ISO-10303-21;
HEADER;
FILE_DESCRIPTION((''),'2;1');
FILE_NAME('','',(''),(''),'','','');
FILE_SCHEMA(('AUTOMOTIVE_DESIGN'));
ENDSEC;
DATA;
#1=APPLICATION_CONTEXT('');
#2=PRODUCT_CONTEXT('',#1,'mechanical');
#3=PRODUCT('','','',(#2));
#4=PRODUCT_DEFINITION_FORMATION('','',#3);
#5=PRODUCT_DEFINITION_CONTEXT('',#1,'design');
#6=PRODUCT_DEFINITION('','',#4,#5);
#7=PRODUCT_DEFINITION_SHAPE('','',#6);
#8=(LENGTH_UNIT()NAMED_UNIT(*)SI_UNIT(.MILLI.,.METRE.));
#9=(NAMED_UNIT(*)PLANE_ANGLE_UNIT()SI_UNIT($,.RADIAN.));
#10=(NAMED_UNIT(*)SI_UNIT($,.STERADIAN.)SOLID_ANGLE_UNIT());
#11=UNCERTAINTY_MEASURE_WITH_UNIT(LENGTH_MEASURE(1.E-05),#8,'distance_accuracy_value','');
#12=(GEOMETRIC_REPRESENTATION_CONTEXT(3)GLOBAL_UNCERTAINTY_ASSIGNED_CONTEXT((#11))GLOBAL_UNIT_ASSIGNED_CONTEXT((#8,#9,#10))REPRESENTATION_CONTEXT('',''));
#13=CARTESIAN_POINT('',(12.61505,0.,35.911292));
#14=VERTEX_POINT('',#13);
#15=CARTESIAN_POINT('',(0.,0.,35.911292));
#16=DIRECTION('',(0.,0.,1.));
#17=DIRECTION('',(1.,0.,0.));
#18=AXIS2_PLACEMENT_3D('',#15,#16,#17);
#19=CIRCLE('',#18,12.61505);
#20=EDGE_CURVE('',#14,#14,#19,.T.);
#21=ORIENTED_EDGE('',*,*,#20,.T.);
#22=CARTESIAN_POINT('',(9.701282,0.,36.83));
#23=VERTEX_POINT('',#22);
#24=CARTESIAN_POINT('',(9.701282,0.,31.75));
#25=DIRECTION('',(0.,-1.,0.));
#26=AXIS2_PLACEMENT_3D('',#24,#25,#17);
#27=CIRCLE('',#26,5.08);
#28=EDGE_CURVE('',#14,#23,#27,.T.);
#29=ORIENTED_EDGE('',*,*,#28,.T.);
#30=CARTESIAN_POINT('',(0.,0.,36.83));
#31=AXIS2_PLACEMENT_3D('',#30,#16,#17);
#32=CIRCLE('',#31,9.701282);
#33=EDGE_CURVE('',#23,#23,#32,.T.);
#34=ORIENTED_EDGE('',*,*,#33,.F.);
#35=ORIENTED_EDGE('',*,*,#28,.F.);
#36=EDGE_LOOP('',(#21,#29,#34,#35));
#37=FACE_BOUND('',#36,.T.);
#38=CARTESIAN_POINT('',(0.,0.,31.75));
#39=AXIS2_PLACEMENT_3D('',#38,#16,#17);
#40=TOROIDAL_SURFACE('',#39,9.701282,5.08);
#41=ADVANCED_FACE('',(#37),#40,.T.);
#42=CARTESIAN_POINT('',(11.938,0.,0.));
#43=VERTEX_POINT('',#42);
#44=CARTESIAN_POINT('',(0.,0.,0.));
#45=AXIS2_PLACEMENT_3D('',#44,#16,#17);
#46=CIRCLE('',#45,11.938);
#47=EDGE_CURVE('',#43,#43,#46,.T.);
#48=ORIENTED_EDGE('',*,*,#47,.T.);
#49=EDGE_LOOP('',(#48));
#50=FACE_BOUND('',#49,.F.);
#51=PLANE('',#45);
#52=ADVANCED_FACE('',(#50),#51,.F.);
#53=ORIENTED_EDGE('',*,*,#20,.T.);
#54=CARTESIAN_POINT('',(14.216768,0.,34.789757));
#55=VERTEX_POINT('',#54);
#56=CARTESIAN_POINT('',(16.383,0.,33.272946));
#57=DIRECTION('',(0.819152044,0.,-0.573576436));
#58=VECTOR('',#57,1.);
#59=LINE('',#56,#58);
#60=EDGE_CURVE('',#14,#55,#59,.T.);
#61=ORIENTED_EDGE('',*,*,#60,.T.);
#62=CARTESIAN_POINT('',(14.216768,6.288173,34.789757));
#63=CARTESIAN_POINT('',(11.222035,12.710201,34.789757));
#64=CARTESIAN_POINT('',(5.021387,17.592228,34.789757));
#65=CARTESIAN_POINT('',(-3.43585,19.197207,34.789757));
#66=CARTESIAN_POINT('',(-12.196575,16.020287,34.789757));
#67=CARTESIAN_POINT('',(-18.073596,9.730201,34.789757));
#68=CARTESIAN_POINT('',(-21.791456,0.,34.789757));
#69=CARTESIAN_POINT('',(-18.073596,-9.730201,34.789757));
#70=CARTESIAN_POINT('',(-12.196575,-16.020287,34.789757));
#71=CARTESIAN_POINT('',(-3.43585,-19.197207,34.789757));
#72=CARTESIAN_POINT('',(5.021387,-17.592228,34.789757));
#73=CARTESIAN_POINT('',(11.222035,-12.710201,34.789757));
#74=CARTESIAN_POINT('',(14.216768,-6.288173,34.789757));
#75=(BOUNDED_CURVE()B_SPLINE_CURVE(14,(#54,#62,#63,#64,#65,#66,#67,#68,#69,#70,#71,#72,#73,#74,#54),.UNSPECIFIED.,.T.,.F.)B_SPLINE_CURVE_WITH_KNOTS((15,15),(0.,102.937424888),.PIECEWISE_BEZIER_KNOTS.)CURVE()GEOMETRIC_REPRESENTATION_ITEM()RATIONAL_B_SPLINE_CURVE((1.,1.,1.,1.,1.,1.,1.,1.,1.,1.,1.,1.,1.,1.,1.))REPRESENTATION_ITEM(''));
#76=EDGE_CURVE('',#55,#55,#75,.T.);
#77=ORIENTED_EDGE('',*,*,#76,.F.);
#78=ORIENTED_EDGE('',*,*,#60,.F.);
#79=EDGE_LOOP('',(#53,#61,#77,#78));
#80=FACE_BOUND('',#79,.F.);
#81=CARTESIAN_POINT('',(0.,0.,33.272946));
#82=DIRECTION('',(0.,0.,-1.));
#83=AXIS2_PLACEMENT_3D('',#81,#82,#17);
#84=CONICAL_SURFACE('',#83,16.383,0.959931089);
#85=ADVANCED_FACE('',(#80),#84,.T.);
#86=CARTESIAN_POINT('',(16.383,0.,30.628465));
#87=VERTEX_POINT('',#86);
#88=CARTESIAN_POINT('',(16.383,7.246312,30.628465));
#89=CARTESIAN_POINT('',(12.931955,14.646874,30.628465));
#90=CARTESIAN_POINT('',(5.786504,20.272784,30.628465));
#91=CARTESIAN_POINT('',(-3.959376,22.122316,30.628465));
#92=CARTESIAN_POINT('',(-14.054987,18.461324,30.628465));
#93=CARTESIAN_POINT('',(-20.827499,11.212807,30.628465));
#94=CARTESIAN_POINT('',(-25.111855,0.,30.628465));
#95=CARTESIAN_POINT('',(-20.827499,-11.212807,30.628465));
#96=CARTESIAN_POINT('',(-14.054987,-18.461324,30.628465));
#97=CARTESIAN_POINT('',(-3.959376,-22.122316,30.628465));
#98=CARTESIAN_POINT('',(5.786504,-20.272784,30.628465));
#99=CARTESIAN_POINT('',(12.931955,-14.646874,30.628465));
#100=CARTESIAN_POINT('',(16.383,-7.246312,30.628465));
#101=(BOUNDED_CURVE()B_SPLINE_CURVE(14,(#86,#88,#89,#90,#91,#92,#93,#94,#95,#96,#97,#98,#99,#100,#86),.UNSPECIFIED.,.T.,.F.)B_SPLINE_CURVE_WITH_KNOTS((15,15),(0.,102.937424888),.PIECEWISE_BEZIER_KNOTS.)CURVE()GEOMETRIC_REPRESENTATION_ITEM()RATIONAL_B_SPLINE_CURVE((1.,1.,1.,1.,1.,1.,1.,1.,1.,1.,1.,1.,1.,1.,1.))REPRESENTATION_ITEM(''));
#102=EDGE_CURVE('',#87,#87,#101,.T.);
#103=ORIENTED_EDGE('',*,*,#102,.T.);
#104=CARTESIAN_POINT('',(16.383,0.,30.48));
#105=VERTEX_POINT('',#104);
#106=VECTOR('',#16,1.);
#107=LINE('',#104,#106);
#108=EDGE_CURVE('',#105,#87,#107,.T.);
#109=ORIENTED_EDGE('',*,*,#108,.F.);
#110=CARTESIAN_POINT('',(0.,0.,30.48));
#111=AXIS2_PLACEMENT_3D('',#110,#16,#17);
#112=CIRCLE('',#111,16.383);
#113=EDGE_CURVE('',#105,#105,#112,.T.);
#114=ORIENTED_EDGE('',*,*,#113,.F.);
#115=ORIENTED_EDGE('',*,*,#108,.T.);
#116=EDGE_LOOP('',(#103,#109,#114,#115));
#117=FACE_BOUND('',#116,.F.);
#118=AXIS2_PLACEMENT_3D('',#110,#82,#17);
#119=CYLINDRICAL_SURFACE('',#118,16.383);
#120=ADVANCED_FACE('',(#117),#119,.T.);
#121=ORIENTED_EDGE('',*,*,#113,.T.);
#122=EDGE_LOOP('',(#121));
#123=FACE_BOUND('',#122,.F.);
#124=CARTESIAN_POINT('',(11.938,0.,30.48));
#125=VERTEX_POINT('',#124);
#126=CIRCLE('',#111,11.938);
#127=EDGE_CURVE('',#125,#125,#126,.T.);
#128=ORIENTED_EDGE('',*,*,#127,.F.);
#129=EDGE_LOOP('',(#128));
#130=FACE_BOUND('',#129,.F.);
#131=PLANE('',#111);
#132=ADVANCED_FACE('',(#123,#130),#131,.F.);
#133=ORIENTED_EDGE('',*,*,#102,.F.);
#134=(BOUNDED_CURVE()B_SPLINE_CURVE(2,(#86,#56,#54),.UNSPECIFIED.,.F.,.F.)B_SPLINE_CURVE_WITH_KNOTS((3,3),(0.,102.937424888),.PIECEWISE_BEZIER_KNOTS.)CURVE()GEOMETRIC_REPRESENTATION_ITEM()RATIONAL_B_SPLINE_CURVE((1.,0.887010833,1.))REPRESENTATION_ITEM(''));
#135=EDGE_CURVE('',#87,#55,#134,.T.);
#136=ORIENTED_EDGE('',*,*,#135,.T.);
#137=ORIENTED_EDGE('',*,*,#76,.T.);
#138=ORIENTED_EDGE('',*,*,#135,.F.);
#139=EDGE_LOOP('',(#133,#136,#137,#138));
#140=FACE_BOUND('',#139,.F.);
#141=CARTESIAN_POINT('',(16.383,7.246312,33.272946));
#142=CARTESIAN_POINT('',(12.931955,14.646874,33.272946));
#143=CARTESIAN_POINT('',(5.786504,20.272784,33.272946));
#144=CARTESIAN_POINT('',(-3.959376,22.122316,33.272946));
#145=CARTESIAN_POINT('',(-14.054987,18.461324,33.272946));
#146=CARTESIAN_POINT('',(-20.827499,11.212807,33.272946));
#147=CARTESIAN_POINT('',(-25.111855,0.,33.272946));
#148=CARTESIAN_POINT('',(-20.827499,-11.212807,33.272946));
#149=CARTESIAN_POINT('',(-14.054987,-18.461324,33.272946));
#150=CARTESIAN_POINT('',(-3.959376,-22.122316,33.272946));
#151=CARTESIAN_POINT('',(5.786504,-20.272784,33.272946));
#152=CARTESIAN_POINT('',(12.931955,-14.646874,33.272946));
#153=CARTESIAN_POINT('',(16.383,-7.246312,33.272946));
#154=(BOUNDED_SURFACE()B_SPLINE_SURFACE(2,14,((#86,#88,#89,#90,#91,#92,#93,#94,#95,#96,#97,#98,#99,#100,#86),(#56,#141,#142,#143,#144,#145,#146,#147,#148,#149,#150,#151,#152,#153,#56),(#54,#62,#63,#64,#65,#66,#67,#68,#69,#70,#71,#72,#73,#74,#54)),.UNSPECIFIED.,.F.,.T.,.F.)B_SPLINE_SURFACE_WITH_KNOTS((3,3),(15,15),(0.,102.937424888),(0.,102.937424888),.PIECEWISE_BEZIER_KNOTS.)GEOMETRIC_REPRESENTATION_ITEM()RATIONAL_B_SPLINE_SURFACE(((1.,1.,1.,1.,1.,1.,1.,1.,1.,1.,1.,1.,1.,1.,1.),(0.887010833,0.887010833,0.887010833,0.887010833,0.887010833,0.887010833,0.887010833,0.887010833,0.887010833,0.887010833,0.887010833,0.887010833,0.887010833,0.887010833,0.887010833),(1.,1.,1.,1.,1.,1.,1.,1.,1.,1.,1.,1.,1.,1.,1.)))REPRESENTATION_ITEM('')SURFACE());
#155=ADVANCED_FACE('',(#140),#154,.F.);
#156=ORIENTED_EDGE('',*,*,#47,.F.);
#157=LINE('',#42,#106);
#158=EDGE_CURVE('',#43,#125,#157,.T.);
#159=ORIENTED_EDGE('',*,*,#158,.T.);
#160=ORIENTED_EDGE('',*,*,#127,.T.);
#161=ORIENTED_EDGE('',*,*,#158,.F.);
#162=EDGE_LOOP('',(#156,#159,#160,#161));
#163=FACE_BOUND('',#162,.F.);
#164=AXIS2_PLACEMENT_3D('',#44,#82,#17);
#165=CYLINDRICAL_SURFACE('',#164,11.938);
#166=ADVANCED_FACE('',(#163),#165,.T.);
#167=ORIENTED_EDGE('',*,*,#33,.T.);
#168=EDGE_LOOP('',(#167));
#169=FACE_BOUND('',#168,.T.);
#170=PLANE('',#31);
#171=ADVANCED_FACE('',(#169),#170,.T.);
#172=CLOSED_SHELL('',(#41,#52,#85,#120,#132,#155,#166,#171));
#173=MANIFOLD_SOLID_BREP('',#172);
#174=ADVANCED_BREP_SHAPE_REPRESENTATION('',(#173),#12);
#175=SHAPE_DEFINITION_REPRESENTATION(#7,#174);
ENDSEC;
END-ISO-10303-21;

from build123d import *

# Parameters (mm, degrees)
F0_R     = 11.938
F1_DEPTH = 30.48
F2_R     = 16.383
F2_R_2   = 11.938
F3_DEPTH = 6.35
F4_SIZE2 = 3.5570542941
F4_SIZE  = 5.08
F5_R     = 5.08


with BuildPart() as f1:
    # F0 (on Top) → F1 (new body)
    with BuildSketch(Plane.XY):
        Circle(F0_R)
    extrude(amount=F1_DEPTH)

    # F2 (on face) → F3 (join)
    with BuildSketch(Plane.XY.offset(30.48)):
        Circle(F2_R)
        Circle(F2_R_2, mode=Mode.SUBTRACT)
        Circle(F2_R_2)
    extrude(amount=F3_DEPTH)

    # F4
    f4_edges = [f1.edges().sort_by_distance(p)[0] for p in [
        (-16.383, 0, 36.83),
    ]]
    f4_side = f1.faces().sort_by_distance((0, 0, 36.83))[0]
    chamfer(f4_edges, length=F4_SIZE, length2=F4_SIZE2, reference=f4_side)

    # F5
    f5_edges = [f1.edges().sort_by_distance(p)[0] for p in [
        (-11.303, 0, 36.83),
        (-16.383, 0, 33.272946),
    ]]
    fillet(f5_edges, radius=F5_R)


solid = f1.part
